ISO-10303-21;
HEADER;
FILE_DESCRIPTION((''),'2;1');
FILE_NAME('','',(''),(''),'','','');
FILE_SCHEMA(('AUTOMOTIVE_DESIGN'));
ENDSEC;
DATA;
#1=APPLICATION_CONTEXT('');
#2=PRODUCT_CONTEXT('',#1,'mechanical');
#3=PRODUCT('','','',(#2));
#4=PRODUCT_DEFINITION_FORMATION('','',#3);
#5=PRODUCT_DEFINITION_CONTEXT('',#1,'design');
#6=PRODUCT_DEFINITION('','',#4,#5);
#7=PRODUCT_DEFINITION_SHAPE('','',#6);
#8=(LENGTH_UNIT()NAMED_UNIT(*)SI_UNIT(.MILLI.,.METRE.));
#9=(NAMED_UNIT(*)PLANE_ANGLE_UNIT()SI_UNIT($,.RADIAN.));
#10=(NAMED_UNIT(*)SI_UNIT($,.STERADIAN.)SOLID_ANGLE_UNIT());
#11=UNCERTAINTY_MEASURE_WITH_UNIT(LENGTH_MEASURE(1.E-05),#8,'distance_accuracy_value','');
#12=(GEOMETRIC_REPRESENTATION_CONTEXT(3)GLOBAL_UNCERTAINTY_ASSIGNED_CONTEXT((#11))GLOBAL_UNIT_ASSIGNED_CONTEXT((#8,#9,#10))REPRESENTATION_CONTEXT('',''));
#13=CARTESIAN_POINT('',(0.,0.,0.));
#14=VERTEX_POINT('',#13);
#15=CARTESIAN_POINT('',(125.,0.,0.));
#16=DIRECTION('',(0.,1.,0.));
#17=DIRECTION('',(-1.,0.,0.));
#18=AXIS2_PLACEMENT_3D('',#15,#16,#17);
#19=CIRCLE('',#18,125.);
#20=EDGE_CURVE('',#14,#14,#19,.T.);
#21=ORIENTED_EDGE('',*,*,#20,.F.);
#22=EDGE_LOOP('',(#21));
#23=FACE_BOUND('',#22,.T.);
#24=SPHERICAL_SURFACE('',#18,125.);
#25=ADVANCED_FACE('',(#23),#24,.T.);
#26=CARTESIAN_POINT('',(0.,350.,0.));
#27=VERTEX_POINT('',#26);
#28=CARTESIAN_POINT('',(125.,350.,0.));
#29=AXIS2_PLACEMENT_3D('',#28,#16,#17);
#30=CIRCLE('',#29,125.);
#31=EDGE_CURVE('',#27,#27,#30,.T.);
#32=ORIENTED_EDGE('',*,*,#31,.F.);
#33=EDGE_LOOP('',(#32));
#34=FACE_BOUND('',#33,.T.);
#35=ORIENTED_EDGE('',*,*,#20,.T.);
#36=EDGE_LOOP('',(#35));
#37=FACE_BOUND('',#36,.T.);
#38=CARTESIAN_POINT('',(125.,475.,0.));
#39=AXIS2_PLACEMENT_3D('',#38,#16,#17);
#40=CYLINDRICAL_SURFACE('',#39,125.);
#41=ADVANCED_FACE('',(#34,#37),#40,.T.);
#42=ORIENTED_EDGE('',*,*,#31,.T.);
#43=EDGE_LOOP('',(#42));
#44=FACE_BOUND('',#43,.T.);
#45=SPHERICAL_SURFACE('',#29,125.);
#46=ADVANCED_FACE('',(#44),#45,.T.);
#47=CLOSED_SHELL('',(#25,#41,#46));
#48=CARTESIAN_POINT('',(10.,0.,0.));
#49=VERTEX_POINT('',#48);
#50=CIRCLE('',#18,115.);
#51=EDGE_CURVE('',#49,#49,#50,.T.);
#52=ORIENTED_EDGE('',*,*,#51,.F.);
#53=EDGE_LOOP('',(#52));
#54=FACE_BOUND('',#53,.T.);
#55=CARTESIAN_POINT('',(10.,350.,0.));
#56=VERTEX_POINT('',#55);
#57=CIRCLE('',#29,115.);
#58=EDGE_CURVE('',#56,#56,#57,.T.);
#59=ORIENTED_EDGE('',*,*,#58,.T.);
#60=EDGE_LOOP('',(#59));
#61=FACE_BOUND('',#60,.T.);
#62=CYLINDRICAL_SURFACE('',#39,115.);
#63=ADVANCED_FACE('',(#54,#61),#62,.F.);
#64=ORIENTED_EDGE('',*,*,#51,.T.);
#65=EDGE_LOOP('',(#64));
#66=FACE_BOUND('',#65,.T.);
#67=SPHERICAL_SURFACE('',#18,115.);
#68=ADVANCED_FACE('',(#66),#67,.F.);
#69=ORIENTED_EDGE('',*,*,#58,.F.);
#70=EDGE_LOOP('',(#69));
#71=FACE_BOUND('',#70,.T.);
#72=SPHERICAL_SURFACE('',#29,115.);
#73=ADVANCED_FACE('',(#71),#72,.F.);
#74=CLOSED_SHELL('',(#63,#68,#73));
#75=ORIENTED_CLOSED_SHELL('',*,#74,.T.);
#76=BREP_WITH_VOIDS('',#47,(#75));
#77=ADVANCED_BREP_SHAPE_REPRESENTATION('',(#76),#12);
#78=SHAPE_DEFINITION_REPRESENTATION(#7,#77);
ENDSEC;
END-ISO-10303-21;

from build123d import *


with BuildPart() as part:
    # Sketch1 → Revolve1 (revolve)
    with BuildSketch(Plane.XY):
        with BuildLine():
            Line((0, 0), (0, 350))
            ThreePointArc((0, 350), (36.611652352, 438.388347648), (125, 475))
            Line((125, 475), (125, 465))
            ThreePointArc((125, 465), (43.682720164, 431.317279836), (10, 350))
            Line((10, 350), (10, 0))
            ThreePointArc((10, 0), (43.682720164, -81.317279836), (125, -115))
            Line((125, -115), (125, -125))
            ThreePointArc((125, -125), (36.611652352, -88.388347648), (0, 0))
        make_face()
    revolve(axis=Axis((125, 475, 0), (0, -1, 0)))


solid = part.part
